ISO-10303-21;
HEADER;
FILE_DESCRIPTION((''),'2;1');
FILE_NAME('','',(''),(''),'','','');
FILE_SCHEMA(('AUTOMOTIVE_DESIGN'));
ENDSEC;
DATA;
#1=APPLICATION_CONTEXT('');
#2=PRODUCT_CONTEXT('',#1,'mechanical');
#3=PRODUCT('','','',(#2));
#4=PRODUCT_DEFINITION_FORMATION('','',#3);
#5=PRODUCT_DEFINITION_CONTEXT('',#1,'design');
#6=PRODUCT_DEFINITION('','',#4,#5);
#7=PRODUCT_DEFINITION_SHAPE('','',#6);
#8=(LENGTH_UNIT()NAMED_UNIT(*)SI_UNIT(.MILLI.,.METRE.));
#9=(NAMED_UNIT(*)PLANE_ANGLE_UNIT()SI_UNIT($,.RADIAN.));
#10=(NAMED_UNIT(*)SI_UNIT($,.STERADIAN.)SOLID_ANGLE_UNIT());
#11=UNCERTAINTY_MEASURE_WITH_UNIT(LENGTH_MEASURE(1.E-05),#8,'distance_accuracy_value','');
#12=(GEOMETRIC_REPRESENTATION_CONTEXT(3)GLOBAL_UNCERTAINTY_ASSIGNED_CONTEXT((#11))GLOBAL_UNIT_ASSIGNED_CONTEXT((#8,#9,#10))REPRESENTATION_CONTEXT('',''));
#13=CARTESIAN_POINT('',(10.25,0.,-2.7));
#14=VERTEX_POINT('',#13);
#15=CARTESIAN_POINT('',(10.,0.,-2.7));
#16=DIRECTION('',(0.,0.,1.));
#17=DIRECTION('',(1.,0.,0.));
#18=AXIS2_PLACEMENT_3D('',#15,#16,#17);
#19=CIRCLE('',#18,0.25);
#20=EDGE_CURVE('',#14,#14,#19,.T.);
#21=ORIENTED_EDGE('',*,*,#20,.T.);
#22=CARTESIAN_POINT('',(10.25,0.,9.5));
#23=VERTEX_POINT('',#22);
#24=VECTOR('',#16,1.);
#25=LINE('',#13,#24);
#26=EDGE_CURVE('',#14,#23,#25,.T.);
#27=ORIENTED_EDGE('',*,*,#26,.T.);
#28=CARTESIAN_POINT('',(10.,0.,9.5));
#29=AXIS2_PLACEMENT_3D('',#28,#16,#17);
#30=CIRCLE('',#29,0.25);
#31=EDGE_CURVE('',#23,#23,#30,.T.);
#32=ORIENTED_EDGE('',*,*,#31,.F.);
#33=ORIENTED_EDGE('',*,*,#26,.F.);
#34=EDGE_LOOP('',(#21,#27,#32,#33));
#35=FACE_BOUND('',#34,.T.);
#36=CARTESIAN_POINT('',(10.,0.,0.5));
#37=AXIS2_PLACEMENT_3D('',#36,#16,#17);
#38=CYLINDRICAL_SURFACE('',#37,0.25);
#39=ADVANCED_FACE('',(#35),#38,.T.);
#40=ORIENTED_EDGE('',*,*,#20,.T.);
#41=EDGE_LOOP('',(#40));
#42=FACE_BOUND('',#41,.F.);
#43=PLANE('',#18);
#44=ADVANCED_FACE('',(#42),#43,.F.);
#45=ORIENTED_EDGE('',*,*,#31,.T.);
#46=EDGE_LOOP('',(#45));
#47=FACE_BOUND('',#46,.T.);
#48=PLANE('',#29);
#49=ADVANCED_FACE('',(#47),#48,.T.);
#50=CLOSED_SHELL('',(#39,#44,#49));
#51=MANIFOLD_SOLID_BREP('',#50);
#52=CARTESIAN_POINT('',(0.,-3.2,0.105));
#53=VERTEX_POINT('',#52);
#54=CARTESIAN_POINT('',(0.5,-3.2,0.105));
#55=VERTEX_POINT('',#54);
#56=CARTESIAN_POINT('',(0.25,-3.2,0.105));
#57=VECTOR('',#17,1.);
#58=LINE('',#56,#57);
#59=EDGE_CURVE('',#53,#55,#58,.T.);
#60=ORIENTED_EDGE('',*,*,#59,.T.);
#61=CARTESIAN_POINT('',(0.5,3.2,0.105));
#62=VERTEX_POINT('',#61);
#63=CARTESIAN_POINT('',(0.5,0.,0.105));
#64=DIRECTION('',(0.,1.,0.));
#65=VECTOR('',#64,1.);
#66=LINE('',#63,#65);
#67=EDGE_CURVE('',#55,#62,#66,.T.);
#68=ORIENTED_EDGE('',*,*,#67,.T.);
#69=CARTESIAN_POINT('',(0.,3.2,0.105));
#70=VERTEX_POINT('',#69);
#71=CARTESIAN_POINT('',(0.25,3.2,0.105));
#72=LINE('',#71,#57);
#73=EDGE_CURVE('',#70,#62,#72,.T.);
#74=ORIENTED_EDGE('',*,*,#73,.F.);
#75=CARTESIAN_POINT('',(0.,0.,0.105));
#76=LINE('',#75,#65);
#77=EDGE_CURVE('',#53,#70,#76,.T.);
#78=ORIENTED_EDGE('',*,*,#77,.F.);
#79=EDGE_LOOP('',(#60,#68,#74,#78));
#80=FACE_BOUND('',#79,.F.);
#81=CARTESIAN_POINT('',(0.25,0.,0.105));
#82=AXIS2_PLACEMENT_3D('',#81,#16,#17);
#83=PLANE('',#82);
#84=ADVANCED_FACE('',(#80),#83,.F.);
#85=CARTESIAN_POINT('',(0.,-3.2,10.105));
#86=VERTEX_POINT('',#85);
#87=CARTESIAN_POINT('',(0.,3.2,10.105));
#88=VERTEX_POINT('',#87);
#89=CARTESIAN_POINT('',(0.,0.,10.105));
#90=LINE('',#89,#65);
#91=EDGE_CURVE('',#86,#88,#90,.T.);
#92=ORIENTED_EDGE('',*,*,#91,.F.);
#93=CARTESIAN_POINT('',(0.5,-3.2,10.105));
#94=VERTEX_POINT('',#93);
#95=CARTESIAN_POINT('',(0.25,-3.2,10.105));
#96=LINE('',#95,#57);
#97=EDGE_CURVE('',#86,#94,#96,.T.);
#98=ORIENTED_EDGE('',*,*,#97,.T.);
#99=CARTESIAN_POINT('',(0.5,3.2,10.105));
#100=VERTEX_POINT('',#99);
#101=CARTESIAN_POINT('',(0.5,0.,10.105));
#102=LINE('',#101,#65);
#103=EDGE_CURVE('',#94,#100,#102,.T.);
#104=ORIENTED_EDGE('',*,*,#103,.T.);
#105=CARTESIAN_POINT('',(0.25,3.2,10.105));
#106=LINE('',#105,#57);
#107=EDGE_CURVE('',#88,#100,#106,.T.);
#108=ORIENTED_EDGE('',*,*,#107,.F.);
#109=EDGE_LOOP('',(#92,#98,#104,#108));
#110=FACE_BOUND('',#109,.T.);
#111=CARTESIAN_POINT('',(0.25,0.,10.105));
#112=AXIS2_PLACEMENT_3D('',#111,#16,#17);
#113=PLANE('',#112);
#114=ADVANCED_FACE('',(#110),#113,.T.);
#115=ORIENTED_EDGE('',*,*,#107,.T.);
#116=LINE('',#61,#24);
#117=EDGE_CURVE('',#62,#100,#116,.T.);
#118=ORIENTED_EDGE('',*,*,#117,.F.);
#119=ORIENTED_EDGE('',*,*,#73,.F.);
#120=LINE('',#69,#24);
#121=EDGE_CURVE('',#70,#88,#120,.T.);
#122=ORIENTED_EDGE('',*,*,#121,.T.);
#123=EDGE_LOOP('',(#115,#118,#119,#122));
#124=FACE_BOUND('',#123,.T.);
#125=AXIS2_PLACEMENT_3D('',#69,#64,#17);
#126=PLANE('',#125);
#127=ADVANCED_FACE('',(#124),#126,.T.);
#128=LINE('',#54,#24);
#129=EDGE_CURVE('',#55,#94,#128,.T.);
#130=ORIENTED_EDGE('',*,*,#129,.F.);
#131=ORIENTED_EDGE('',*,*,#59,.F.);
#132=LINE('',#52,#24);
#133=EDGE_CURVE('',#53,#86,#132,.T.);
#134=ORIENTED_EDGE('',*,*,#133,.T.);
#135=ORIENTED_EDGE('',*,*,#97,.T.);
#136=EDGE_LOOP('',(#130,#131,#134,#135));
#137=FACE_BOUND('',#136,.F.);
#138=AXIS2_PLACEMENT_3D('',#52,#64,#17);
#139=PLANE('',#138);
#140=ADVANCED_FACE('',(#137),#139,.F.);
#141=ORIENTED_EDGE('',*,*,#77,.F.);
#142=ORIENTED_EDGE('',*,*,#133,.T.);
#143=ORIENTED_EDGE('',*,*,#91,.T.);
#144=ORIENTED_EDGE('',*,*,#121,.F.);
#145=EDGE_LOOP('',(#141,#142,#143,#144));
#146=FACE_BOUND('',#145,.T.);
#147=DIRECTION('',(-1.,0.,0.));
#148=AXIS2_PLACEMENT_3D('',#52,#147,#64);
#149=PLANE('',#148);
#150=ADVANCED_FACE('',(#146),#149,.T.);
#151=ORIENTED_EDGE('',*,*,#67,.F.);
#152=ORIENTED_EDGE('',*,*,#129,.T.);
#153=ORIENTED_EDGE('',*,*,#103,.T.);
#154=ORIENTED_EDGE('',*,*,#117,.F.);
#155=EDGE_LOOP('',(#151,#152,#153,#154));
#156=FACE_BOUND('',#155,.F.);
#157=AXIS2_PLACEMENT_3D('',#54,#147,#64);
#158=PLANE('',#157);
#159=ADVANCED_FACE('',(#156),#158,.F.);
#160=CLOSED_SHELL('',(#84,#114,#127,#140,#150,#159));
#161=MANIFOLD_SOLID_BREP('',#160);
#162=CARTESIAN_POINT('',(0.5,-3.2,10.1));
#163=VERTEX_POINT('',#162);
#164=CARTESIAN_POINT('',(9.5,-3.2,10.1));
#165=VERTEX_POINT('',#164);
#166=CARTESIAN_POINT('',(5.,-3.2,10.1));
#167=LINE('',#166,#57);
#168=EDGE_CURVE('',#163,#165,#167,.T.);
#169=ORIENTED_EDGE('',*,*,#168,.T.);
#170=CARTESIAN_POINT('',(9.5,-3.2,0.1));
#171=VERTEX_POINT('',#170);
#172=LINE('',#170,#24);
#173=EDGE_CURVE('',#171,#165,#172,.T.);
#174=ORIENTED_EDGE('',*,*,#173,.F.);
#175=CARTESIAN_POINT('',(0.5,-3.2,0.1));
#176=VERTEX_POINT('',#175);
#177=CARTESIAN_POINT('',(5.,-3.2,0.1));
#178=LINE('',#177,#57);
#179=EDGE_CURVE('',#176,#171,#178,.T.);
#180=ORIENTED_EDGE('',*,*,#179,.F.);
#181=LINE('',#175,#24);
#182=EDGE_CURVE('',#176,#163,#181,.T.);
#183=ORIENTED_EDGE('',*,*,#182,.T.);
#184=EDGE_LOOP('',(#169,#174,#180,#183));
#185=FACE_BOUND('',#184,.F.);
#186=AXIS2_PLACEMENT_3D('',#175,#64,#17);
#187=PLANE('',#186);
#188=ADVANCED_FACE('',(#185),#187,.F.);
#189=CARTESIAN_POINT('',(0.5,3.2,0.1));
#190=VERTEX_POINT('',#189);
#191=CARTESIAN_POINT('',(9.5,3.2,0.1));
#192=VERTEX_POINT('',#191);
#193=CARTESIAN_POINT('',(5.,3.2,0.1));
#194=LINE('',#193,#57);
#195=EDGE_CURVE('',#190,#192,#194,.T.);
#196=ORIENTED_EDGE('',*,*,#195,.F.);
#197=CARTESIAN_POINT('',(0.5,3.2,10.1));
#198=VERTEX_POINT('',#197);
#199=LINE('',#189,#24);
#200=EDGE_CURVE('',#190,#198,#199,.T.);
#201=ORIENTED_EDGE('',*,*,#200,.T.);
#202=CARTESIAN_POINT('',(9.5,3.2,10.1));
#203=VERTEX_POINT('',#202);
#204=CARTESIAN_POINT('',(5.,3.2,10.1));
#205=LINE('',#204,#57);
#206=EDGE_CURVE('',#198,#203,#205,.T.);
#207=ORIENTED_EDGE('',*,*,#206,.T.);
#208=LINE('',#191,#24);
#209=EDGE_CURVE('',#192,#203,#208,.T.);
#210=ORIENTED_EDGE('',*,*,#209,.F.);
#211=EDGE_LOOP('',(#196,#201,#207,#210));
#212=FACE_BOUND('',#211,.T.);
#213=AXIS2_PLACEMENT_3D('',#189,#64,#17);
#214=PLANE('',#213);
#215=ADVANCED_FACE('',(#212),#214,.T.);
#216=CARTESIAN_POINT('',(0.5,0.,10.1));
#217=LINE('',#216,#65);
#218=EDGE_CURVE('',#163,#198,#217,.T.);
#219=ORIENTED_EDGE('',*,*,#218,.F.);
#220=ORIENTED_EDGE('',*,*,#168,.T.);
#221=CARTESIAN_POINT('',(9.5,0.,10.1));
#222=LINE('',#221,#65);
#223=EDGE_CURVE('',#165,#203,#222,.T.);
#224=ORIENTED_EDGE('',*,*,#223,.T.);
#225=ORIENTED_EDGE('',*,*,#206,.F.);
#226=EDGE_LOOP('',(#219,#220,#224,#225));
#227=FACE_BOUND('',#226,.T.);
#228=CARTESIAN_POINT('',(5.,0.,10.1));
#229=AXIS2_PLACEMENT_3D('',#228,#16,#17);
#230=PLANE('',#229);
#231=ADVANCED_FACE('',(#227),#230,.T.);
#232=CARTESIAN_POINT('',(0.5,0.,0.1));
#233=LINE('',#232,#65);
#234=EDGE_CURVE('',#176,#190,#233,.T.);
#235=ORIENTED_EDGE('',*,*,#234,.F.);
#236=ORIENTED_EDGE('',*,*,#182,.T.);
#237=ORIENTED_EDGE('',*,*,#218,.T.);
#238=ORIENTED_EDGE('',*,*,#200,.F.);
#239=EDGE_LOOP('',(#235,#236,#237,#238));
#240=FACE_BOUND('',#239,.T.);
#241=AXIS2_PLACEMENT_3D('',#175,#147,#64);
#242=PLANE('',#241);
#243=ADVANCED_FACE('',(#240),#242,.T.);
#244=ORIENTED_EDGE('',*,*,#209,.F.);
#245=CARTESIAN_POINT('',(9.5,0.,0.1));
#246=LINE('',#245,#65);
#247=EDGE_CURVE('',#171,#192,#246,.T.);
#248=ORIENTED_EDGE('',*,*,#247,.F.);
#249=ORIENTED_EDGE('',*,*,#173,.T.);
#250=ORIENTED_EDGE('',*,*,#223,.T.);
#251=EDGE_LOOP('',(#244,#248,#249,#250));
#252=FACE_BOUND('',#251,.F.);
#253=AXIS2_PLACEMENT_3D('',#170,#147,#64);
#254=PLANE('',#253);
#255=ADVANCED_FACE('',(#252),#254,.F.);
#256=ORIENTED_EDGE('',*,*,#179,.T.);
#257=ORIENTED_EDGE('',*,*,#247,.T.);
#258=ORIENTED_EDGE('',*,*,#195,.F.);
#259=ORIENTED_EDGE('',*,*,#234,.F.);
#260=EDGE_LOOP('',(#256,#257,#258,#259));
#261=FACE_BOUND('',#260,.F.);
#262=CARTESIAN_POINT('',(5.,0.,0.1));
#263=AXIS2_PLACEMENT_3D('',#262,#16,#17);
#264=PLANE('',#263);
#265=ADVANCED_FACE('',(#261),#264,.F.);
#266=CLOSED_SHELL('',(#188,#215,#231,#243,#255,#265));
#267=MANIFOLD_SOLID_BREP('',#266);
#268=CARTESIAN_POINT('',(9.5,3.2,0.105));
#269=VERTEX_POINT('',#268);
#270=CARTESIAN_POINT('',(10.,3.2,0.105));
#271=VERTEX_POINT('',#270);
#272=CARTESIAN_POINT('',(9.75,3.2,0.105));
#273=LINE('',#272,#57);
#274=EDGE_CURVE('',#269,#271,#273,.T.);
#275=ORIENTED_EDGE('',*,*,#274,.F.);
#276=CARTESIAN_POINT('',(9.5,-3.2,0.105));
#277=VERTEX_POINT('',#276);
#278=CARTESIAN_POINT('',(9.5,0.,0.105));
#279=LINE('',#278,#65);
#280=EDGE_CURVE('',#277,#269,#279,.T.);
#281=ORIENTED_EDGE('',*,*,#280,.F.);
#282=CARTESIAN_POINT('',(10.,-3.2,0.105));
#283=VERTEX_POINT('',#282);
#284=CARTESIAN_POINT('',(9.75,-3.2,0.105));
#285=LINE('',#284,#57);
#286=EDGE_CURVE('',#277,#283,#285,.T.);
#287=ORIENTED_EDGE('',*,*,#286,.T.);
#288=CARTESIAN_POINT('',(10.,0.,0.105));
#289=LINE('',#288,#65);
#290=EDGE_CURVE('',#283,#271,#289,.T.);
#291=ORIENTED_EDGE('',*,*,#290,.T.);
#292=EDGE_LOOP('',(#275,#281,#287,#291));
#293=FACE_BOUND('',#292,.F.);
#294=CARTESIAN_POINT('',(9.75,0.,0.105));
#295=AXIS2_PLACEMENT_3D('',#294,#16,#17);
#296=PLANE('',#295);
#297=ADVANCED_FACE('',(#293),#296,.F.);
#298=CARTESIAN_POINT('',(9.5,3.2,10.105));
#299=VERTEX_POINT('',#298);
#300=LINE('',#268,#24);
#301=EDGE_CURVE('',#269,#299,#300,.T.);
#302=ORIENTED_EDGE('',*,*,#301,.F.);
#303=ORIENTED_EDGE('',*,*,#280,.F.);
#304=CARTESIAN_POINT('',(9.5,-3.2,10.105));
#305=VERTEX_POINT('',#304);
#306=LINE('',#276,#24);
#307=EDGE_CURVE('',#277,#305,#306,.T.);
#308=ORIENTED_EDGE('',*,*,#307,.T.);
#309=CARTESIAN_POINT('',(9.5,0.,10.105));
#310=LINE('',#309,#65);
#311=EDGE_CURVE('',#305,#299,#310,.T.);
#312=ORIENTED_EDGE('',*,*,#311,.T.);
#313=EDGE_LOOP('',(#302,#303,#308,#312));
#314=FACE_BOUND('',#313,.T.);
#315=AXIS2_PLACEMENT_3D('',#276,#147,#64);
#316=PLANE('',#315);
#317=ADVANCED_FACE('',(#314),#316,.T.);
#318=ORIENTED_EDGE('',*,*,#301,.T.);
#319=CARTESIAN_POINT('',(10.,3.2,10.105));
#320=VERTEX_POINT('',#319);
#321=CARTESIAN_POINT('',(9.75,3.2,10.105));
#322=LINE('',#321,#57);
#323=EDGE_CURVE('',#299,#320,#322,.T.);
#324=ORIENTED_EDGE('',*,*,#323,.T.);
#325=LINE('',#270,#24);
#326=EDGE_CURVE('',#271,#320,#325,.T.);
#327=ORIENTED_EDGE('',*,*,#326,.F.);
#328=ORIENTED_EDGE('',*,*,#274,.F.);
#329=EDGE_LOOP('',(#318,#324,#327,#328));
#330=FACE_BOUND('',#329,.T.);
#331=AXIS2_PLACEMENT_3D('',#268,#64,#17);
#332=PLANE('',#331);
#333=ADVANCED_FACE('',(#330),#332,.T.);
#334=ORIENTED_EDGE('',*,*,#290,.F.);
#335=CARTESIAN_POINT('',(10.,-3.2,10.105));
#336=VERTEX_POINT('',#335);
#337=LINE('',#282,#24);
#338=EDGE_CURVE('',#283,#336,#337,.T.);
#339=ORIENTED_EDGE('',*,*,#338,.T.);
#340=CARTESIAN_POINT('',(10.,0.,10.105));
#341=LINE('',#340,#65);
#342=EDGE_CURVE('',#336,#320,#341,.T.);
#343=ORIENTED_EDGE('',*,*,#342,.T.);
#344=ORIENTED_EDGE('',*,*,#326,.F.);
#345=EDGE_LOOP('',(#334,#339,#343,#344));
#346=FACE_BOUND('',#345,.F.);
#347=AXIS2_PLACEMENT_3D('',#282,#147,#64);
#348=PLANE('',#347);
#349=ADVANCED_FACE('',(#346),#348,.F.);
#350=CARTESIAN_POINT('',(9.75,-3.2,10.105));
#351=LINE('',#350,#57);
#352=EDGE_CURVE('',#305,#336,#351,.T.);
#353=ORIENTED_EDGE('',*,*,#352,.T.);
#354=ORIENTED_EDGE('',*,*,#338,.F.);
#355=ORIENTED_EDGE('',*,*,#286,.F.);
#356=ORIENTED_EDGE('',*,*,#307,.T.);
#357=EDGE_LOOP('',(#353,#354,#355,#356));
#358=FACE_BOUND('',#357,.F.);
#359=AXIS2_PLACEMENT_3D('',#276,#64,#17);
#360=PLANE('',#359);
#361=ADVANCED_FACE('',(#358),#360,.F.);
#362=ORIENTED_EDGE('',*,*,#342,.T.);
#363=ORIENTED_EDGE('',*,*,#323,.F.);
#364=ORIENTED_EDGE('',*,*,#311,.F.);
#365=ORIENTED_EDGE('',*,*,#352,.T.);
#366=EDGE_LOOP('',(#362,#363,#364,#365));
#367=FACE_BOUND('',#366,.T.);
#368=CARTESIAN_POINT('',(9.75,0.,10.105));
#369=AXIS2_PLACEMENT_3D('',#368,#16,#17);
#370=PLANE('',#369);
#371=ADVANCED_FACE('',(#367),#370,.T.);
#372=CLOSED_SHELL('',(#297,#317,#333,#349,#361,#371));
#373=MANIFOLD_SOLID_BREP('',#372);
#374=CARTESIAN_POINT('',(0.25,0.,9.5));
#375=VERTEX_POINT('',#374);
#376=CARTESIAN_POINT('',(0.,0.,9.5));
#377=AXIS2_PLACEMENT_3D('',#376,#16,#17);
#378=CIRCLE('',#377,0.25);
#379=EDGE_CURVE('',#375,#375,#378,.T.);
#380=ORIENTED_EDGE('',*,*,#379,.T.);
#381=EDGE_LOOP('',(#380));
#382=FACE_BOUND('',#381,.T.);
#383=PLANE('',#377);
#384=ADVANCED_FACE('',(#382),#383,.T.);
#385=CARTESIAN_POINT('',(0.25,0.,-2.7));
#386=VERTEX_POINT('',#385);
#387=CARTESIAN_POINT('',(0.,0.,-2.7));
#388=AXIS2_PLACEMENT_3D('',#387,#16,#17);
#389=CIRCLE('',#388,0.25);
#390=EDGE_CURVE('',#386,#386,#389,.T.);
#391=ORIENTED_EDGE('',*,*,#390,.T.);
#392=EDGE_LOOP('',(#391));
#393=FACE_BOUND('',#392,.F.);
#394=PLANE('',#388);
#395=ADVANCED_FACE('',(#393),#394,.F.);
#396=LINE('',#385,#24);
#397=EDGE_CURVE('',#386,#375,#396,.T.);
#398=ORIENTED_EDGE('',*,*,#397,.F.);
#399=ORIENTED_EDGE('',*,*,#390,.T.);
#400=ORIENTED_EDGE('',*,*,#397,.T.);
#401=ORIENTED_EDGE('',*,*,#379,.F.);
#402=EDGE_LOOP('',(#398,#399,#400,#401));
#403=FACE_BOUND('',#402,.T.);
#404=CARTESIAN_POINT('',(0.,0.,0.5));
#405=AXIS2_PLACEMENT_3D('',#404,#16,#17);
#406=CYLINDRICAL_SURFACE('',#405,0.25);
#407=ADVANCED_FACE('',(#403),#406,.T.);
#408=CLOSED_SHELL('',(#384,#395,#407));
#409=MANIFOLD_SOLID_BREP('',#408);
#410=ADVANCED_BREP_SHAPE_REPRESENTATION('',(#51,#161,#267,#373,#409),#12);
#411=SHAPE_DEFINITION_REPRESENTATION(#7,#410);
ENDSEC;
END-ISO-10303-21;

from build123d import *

# Parameters (mm, degrees)
SKETCH_W          = 9
SKETCH_H          = 6.4
PAD_DEPTH         = 10
SKETCH001_R       = 0.25
PAD001_DEPTH      = 9
PAD001_DEPTH_BACK = 3.2
SKETCH002_W       = 0.5
SKETCH002_H       = 6.4
PAD002_DEPTH      = 10


with BuildPart() as pad:
    # Sketch → Pad (new body)
    with BuildSketch(Plane.XY.offset(0.1)):
        with Locations((5, 0)):
            Rectangle(SKETCH_W, SKETCH_H)
    extrude(amount=PAD_DEPTH)


with BuildPart() as pad001:
    # Sketch001 → Pad001 (new body, two sides)
    with BuildSketch(Plane.XY.offset(0.5)) as pad001_sk:
        Circle(SKETCH001_R)
        with Locations((10, 0)):
            Circle(SKETCH001_R)
    extrude(amount=PAD001_DEPTH)
    extrude(pad001_sk.sketch, amount=-PAD001_DEPTH_BACK)


with BuildPart() as pad002:
    # Sketch002 → Pad002 (new body)
    with BuildSketch(Plane.XY.offset(0.105)):
        with Locations((0.25, 0)):
            Rectangle(SKETCH002_W, SKETCH002_H)
        with Locations((9.75, 0)):
            Rectangle(SKETCH002_W, SKETCH002_H)
    extrude(amount=PAD002_DEPTH)


solid = Compound([pad.part, pad001.part, pad002.part])
